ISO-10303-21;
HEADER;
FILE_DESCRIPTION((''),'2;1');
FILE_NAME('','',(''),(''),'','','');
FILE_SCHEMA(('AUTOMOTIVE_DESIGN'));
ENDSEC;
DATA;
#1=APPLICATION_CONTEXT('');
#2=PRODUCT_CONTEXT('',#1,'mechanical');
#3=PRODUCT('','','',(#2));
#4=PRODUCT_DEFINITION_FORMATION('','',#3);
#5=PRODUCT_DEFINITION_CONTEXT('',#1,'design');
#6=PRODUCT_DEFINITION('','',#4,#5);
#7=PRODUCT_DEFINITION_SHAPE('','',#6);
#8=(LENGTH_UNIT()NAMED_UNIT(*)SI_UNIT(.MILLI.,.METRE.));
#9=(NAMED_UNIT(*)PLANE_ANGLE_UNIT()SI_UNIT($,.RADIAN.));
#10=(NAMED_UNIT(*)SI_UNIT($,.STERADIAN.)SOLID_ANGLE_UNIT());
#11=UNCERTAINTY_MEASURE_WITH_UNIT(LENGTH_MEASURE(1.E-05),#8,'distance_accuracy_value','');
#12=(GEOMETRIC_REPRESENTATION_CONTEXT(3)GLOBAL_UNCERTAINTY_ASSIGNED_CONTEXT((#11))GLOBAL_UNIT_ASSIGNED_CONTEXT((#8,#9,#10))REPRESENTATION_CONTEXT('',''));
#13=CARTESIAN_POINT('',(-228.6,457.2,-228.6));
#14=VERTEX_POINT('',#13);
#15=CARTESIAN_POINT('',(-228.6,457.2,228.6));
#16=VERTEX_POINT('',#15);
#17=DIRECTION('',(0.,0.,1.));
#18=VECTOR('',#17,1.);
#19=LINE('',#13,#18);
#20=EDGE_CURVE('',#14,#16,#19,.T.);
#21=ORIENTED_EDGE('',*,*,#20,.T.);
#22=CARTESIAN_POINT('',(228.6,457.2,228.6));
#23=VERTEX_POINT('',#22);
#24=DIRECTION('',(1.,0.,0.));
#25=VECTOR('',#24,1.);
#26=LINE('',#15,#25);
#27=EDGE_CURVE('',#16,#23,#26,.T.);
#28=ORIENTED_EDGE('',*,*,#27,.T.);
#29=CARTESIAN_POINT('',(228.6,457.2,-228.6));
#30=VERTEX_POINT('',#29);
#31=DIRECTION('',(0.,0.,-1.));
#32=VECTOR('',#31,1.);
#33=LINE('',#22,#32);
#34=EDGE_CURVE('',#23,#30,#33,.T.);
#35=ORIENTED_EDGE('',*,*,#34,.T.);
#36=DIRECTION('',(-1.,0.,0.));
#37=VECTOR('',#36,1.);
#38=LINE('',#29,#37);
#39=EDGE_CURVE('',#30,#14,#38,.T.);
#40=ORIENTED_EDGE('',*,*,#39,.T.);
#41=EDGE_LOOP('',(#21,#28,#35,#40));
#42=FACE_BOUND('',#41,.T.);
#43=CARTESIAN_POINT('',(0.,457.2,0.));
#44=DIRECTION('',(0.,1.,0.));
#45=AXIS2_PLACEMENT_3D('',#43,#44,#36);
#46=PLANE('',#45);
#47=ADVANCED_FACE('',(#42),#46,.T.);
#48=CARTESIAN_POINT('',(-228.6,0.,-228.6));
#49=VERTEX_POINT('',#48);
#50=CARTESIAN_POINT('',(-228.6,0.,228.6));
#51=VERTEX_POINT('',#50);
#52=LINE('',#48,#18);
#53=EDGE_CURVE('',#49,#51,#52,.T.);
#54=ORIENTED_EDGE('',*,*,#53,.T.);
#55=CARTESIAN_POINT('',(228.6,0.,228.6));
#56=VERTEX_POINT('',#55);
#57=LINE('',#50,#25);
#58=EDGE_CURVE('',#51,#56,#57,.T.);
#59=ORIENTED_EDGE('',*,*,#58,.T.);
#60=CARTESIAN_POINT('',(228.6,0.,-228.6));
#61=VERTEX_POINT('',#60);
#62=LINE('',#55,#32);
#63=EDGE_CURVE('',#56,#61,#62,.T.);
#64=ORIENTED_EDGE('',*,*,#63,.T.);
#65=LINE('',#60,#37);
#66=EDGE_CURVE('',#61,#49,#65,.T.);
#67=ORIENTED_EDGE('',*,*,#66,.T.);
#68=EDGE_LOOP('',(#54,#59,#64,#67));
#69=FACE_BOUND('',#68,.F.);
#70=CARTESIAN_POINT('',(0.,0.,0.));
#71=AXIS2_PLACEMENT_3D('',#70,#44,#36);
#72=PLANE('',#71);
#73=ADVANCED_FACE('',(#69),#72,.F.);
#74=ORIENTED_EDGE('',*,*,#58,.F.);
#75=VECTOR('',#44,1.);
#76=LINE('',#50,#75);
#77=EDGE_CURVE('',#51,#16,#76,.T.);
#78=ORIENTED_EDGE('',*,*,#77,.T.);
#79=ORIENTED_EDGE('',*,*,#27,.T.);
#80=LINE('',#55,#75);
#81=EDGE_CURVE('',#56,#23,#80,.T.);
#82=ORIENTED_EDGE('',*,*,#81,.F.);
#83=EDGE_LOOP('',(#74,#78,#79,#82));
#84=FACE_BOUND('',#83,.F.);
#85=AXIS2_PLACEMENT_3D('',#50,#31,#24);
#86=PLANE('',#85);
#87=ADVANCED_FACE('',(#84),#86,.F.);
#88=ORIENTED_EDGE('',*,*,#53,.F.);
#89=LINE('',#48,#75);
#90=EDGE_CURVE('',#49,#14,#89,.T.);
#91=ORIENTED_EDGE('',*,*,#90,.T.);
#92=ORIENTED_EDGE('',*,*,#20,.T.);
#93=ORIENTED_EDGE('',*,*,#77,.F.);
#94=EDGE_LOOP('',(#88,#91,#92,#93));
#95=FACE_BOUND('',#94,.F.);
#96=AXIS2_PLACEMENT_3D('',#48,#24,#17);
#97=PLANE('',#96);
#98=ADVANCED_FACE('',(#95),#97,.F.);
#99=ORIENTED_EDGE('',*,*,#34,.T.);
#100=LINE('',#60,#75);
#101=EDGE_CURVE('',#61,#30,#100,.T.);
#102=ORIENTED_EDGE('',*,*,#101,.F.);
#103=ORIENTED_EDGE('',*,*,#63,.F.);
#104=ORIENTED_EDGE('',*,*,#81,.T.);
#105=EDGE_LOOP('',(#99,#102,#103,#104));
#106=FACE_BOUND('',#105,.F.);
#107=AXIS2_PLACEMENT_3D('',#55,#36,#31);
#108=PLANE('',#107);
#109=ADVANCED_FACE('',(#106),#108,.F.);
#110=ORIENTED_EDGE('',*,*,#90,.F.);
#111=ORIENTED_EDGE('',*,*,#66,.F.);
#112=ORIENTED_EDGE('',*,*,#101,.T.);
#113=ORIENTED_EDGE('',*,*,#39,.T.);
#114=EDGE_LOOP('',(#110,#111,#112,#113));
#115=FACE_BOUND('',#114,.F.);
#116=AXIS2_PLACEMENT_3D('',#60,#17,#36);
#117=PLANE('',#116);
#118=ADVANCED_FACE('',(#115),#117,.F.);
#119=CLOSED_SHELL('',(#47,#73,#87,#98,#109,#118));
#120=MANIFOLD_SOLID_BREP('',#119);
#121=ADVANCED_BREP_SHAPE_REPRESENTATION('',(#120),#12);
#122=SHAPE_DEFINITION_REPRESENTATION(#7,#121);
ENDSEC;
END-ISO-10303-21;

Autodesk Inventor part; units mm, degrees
ref_plane "YZ Plane" through (0, 0, 0) normal (1, 0, 0) x (0, 1, 0)
ref_plane "XZ Plane" through (0, 0, 0) normal (0, 1, 0) x (-1, 0, 0)
ref_plane "XY Plane" through (0, 0, 0) normal (0, 0, 1) x (1, 0, 0)
sketch "Sketch1" plane through (0, 0, 0) normal (0, 1, 0) x (-1, 0, 0)
  line L0 (-228.6, -228.6) -> (228.6, -228.6)
  line L1 (228.6, -228.6) -> (228.6, 228.6)
  line L2 (228.6, 228.6) -> (-228.6, 228.6)
  line L3 (-228.6, 228.6) -> (-228.6, -228.6)
  line L4 (-228.6, -228.6) -> (228.6, 228.6) construction
  line L5 (228.6, -228.6) -> (-228.6, 228.6) construction
  point P0 (0, 0)
  dimension "d0" = 457.2
  dimension "d1" = 457.2
extrude "Extrusion1" add sketch "Sketch1" along normal blind 457.2
properties part number "18x18x18" material "Polycarbonate, Clear"
